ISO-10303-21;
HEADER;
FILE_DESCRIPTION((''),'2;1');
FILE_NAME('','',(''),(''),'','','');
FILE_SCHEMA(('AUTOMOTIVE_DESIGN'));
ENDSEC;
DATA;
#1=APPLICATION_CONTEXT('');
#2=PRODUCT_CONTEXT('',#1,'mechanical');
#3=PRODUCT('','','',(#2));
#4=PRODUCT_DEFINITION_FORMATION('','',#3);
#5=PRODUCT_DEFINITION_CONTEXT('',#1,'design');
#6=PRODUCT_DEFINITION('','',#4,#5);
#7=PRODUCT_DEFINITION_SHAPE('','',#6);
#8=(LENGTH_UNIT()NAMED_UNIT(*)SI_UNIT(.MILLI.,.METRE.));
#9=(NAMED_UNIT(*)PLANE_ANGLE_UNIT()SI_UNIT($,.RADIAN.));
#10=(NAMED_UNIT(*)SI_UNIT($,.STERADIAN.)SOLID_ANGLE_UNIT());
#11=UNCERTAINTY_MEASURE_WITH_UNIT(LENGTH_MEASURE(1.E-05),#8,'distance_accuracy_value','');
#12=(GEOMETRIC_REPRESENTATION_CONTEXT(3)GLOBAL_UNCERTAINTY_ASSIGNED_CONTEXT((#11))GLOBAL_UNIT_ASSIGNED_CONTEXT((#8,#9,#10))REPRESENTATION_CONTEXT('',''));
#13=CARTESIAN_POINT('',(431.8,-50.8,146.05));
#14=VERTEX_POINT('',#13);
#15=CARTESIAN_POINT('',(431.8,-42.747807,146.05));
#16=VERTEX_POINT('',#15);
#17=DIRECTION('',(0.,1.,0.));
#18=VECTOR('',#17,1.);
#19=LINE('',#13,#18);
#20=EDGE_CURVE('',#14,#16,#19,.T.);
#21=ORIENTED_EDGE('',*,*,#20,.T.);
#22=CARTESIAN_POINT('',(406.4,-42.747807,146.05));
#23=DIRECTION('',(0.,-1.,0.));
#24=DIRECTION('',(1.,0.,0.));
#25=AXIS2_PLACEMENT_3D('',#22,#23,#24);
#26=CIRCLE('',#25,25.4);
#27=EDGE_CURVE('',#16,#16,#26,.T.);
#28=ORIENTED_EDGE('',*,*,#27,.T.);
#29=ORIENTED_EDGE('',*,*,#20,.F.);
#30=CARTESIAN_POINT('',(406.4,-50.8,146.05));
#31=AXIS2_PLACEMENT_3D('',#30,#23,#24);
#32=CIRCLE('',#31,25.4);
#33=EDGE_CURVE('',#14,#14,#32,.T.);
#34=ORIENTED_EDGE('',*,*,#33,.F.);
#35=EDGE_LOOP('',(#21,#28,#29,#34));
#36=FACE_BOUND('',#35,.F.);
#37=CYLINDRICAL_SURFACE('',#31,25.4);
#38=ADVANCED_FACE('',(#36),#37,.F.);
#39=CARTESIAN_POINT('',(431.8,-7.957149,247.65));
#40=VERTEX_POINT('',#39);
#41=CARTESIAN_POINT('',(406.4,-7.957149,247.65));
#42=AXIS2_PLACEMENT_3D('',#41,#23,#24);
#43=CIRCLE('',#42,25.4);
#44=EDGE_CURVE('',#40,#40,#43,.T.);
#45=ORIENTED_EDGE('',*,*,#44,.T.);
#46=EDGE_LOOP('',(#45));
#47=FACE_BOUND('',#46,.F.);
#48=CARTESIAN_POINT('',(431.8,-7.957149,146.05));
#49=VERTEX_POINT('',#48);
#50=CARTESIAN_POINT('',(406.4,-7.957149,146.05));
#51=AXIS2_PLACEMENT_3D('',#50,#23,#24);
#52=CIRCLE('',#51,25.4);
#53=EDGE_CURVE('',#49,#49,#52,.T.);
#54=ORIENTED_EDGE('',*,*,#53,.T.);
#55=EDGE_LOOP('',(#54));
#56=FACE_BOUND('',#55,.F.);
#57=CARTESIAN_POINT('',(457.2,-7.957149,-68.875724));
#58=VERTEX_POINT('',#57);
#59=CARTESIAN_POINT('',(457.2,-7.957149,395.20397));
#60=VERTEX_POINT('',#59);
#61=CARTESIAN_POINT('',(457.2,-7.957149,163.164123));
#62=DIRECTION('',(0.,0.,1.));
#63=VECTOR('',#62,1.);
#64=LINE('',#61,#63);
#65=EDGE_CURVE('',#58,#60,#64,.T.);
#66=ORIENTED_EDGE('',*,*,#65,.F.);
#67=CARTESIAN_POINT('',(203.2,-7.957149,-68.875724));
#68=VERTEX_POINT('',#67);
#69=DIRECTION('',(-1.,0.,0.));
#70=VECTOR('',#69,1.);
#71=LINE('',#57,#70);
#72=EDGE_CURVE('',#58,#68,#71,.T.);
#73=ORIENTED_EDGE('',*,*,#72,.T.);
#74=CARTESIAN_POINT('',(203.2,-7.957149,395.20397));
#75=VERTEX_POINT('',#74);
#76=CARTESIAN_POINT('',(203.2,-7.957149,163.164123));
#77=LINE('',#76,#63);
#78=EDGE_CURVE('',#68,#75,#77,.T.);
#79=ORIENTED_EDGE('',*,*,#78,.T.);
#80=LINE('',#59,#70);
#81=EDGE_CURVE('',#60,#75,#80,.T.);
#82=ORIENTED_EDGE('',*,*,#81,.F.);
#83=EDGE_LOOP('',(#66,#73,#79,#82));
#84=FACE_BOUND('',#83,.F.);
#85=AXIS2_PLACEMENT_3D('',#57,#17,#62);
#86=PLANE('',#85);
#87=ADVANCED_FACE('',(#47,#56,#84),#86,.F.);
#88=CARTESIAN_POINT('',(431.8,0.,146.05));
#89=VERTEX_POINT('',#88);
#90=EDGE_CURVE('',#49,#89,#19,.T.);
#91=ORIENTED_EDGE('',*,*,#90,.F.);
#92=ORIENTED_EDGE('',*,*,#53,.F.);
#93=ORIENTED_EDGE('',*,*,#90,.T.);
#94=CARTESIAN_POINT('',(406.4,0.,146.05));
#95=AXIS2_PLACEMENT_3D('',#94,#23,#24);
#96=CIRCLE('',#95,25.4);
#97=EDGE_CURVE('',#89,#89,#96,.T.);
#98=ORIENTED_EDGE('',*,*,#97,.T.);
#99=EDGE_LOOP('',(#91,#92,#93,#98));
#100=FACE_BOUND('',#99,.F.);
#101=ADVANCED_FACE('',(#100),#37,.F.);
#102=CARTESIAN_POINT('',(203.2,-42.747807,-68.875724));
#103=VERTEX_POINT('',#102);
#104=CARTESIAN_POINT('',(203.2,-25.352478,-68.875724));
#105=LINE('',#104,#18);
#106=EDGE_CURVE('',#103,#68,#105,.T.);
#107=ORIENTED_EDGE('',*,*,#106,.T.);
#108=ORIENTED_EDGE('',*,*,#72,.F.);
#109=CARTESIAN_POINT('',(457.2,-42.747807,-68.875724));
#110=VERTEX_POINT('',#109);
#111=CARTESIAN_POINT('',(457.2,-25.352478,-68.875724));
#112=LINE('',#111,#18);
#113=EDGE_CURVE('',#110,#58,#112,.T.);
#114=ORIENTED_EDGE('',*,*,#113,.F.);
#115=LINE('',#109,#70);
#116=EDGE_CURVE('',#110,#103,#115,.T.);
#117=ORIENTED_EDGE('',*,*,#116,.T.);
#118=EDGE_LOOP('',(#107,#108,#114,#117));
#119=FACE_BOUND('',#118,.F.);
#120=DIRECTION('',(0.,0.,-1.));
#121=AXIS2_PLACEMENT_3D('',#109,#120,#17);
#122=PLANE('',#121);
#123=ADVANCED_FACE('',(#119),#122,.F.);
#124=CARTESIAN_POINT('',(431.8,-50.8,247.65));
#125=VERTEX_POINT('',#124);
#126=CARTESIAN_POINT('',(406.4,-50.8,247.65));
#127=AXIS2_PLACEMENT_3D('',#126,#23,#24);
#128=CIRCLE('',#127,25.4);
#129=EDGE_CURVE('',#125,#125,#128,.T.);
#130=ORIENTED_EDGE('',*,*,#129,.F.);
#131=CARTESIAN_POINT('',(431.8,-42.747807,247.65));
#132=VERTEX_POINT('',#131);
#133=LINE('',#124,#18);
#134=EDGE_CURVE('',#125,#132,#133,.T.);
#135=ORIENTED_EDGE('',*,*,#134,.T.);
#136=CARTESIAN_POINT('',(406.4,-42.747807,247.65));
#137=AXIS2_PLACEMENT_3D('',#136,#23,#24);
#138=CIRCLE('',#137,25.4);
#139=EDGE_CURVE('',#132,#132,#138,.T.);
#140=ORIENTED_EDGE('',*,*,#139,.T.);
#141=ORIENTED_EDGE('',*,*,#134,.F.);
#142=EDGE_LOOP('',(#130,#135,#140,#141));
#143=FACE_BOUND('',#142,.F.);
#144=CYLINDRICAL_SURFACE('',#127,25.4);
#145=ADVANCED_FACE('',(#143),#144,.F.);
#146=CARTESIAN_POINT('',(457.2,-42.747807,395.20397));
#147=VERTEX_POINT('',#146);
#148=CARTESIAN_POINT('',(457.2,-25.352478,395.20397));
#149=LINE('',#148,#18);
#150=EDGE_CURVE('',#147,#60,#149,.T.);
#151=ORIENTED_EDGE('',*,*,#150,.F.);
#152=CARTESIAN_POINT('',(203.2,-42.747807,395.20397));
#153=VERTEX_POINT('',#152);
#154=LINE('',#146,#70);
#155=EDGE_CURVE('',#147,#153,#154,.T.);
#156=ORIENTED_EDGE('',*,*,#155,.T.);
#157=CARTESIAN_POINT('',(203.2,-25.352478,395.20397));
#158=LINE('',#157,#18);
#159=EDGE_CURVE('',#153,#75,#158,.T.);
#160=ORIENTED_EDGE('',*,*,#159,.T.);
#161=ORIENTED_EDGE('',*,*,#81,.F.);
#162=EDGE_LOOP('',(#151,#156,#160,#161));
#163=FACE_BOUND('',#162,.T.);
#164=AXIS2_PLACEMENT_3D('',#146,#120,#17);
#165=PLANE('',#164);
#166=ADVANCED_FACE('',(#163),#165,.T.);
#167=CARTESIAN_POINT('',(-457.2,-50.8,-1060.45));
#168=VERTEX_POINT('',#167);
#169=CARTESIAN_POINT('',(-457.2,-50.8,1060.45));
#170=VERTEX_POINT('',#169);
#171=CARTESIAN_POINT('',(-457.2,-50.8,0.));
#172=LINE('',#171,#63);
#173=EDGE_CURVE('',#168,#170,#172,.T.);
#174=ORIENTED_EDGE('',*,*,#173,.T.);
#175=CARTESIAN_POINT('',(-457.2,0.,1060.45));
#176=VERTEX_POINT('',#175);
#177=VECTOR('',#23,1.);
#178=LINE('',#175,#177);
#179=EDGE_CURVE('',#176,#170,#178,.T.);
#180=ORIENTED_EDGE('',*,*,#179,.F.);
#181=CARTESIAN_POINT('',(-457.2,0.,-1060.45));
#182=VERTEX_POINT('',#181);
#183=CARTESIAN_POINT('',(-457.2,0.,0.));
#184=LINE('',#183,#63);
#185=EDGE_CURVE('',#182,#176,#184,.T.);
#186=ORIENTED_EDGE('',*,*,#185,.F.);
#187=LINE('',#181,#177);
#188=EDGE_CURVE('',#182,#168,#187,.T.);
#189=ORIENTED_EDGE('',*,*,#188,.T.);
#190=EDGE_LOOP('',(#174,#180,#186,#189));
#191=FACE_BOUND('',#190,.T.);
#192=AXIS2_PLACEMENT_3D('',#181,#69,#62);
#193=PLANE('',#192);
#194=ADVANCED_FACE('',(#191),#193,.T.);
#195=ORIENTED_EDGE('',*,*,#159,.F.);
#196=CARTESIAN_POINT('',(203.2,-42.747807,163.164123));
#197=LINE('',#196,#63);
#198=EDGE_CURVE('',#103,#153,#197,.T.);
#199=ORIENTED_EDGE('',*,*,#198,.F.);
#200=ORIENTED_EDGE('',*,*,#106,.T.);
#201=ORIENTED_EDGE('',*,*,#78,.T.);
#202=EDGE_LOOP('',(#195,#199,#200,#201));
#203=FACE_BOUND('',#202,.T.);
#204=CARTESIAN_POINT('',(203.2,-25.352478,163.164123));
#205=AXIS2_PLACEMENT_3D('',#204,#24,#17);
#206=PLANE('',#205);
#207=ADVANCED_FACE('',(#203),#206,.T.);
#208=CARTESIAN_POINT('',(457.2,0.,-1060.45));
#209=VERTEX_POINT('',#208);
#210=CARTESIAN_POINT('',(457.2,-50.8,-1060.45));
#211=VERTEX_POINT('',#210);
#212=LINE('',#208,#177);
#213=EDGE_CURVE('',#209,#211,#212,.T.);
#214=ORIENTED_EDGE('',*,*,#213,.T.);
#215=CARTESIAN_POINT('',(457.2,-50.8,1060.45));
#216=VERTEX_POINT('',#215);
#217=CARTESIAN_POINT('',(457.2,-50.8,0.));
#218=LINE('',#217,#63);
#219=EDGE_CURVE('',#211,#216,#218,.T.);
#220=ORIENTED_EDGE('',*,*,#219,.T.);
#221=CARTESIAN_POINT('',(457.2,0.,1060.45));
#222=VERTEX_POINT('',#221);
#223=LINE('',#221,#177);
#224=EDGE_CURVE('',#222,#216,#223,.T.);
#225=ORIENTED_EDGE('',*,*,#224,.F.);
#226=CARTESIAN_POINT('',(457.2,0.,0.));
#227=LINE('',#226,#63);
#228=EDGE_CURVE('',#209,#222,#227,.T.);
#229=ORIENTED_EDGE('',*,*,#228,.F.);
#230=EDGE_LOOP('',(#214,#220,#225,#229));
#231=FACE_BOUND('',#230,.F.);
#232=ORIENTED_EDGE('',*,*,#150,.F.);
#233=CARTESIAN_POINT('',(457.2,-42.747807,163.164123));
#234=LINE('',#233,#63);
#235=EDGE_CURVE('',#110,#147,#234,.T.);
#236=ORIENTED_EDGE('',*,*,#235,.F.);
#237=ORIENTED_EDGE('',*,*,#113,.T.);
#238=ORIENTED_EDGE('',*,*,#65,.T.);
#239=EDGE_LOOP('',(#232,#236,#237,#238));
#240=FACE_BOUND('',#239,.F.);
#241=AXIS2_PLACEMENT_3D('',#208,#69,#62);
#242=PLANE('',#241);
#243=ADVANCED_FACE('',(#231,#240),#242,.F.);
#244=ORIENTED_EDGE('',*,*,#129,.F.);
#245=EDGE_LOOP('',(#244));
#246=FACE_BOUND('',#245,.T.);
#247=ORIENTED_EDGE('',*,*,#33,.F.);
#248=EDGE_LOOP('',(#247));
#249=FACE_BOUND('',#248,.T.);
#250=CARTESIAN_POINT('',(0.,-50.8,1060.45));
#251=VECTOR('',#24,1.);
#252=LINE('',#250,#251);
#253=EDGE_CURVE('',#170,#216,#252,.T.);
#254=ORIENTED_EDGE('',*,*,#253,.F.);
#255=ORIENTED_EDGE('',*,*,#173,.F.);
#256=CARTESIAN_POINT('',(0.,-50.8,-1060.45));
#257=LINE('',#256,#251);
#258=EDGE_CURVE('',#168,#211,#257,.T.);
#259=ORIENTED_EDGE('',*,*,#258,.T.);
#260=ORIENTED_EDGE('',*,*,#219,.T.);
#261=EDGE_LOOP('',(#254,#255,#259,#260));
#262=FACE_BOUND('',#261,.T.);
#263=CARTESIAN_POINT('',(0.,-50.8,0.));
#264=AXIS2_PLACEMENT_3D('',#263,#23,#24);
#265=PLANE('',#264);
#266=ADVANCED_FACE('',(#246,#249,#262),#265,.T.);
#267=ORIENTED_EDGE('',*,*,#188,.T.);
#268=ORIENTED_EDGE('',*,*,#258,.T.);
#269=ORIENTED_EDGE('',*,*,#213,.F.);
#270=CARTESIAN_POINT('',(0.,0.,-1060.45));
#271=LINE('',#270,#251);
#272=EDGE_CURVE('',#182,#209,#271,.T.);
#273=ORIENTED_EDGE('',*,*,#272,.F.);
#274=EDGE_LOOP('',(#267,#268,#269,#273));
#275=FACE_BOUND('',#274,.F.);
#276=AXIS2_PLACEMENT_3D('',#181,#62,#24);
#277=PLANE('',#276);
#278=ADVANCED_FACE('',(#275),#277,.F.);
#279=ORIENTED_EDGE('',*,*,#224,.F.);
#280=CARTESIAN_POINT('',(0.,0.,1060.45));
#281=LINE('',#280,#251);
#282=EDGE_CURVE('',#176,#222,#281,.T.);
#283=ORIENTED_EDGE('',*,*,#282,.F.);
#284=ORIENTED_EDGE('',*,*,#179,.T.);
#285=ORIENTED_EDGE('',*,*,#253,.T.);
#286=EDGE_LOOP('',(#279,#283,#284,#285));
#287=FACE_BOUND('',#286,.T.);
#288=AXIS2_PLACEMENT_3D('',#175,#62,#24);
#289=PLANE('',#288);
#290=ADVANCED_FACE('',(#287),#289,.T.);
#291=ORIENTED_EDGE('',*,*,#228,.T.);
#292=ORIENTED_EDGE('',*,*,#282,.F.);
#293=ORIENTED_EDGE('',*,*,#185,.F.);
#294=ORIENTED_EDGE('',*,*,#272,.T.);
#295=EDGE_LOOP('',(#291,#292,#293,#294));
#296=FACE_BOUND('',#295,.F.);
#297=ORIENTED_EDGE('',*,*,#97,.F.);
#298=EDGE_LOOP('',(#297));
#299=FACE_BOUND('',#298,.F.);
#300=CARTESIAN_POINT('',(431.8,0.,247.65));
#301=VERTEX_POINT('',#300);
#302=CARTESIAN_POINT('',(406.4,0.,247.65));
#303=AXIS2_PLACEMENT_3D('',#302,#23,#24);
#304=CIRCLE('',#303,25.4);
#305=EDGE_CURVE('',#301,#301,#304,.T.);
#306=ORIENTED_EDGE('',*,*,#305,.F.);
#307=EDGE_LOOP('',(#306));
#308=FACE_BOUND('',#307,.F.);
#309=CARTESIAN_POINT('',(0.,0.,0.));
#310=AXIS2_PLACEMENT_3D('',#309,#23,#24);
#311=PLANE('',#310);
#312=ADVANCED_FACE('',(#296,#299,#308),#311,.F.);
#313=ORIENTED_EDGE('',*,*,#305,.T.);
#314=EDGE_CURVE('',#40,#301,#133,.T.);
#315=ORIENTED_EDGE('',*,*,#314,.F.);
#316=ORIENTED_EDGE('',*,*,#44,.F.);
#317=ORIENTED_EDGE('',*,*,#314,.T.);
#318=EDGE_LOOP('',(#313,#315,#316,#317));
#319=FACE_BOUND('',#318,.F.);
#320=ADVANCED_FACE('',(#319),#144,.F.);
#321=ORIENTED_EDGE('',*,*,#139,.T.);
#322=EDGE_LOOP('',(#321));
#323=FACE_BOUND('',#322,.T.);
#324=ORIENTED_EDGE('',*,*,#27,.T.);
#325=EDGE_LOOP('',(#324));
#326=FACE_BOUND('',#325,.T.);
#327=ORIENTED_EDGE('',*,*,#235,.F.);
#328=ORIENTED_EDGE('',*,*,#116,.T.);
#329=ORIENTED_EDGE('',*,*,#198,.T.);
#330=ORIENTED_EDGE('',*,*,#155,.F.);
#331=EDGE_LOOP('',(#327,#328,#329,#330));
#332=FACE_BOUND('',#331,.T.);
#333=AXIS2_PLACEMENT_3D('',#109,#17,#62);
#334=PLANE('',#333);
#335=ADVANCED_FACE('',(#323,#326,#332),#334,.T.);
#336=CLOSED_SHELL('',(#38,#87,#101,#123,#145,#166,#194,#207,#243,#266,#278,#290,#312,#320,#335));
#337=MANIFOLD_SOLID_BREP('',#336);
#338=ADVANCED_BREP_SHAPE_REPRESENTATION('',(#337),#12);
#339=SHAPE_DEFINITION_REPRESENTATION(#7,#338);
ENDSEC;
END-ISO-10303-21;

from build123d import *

# Parameters (mm, degrees)
F0_W     = 914.4
F0_H     = 2120.9
F1_DEPTH = 50.8
F2_R     = 25.4
F3_DEPTH = 50.801
F4_W     = 34.790657
F4_H     = 464.079693
F5_DEPTH = 254


with BuildPart() as f1:
    # F0 (on Front) → F1 (new body)
    with BuildSketch(Plane.XZ):
        Rectangle(F0_W, F0_H)
    extrude(amount=F1_DEPTH)

    # F2 (on face) → F3 (cut, through all)
    with BuildSketch(Plane.XZ.offset(50.8)):
        with Locations((406.4, 247.65)):
            Circle(F2_R)
        with Locations((406.4, 146.05)):
            Circle(F2_R)
    extrude(amount=-F3_DEPTH, mode=Mode.SUBTRACT)

    # F4 (on face) → F5 (cut)
    with BuildSketch(Plane.YZ.offset(457.2)):
        with Locations((-25.352478, 163.164123)):
            Rectangle(F4_W, F4_H)
    extrude(amount=-F5_DEPTH, mode=Mode.SUBTRACT)


solid = f1.part
